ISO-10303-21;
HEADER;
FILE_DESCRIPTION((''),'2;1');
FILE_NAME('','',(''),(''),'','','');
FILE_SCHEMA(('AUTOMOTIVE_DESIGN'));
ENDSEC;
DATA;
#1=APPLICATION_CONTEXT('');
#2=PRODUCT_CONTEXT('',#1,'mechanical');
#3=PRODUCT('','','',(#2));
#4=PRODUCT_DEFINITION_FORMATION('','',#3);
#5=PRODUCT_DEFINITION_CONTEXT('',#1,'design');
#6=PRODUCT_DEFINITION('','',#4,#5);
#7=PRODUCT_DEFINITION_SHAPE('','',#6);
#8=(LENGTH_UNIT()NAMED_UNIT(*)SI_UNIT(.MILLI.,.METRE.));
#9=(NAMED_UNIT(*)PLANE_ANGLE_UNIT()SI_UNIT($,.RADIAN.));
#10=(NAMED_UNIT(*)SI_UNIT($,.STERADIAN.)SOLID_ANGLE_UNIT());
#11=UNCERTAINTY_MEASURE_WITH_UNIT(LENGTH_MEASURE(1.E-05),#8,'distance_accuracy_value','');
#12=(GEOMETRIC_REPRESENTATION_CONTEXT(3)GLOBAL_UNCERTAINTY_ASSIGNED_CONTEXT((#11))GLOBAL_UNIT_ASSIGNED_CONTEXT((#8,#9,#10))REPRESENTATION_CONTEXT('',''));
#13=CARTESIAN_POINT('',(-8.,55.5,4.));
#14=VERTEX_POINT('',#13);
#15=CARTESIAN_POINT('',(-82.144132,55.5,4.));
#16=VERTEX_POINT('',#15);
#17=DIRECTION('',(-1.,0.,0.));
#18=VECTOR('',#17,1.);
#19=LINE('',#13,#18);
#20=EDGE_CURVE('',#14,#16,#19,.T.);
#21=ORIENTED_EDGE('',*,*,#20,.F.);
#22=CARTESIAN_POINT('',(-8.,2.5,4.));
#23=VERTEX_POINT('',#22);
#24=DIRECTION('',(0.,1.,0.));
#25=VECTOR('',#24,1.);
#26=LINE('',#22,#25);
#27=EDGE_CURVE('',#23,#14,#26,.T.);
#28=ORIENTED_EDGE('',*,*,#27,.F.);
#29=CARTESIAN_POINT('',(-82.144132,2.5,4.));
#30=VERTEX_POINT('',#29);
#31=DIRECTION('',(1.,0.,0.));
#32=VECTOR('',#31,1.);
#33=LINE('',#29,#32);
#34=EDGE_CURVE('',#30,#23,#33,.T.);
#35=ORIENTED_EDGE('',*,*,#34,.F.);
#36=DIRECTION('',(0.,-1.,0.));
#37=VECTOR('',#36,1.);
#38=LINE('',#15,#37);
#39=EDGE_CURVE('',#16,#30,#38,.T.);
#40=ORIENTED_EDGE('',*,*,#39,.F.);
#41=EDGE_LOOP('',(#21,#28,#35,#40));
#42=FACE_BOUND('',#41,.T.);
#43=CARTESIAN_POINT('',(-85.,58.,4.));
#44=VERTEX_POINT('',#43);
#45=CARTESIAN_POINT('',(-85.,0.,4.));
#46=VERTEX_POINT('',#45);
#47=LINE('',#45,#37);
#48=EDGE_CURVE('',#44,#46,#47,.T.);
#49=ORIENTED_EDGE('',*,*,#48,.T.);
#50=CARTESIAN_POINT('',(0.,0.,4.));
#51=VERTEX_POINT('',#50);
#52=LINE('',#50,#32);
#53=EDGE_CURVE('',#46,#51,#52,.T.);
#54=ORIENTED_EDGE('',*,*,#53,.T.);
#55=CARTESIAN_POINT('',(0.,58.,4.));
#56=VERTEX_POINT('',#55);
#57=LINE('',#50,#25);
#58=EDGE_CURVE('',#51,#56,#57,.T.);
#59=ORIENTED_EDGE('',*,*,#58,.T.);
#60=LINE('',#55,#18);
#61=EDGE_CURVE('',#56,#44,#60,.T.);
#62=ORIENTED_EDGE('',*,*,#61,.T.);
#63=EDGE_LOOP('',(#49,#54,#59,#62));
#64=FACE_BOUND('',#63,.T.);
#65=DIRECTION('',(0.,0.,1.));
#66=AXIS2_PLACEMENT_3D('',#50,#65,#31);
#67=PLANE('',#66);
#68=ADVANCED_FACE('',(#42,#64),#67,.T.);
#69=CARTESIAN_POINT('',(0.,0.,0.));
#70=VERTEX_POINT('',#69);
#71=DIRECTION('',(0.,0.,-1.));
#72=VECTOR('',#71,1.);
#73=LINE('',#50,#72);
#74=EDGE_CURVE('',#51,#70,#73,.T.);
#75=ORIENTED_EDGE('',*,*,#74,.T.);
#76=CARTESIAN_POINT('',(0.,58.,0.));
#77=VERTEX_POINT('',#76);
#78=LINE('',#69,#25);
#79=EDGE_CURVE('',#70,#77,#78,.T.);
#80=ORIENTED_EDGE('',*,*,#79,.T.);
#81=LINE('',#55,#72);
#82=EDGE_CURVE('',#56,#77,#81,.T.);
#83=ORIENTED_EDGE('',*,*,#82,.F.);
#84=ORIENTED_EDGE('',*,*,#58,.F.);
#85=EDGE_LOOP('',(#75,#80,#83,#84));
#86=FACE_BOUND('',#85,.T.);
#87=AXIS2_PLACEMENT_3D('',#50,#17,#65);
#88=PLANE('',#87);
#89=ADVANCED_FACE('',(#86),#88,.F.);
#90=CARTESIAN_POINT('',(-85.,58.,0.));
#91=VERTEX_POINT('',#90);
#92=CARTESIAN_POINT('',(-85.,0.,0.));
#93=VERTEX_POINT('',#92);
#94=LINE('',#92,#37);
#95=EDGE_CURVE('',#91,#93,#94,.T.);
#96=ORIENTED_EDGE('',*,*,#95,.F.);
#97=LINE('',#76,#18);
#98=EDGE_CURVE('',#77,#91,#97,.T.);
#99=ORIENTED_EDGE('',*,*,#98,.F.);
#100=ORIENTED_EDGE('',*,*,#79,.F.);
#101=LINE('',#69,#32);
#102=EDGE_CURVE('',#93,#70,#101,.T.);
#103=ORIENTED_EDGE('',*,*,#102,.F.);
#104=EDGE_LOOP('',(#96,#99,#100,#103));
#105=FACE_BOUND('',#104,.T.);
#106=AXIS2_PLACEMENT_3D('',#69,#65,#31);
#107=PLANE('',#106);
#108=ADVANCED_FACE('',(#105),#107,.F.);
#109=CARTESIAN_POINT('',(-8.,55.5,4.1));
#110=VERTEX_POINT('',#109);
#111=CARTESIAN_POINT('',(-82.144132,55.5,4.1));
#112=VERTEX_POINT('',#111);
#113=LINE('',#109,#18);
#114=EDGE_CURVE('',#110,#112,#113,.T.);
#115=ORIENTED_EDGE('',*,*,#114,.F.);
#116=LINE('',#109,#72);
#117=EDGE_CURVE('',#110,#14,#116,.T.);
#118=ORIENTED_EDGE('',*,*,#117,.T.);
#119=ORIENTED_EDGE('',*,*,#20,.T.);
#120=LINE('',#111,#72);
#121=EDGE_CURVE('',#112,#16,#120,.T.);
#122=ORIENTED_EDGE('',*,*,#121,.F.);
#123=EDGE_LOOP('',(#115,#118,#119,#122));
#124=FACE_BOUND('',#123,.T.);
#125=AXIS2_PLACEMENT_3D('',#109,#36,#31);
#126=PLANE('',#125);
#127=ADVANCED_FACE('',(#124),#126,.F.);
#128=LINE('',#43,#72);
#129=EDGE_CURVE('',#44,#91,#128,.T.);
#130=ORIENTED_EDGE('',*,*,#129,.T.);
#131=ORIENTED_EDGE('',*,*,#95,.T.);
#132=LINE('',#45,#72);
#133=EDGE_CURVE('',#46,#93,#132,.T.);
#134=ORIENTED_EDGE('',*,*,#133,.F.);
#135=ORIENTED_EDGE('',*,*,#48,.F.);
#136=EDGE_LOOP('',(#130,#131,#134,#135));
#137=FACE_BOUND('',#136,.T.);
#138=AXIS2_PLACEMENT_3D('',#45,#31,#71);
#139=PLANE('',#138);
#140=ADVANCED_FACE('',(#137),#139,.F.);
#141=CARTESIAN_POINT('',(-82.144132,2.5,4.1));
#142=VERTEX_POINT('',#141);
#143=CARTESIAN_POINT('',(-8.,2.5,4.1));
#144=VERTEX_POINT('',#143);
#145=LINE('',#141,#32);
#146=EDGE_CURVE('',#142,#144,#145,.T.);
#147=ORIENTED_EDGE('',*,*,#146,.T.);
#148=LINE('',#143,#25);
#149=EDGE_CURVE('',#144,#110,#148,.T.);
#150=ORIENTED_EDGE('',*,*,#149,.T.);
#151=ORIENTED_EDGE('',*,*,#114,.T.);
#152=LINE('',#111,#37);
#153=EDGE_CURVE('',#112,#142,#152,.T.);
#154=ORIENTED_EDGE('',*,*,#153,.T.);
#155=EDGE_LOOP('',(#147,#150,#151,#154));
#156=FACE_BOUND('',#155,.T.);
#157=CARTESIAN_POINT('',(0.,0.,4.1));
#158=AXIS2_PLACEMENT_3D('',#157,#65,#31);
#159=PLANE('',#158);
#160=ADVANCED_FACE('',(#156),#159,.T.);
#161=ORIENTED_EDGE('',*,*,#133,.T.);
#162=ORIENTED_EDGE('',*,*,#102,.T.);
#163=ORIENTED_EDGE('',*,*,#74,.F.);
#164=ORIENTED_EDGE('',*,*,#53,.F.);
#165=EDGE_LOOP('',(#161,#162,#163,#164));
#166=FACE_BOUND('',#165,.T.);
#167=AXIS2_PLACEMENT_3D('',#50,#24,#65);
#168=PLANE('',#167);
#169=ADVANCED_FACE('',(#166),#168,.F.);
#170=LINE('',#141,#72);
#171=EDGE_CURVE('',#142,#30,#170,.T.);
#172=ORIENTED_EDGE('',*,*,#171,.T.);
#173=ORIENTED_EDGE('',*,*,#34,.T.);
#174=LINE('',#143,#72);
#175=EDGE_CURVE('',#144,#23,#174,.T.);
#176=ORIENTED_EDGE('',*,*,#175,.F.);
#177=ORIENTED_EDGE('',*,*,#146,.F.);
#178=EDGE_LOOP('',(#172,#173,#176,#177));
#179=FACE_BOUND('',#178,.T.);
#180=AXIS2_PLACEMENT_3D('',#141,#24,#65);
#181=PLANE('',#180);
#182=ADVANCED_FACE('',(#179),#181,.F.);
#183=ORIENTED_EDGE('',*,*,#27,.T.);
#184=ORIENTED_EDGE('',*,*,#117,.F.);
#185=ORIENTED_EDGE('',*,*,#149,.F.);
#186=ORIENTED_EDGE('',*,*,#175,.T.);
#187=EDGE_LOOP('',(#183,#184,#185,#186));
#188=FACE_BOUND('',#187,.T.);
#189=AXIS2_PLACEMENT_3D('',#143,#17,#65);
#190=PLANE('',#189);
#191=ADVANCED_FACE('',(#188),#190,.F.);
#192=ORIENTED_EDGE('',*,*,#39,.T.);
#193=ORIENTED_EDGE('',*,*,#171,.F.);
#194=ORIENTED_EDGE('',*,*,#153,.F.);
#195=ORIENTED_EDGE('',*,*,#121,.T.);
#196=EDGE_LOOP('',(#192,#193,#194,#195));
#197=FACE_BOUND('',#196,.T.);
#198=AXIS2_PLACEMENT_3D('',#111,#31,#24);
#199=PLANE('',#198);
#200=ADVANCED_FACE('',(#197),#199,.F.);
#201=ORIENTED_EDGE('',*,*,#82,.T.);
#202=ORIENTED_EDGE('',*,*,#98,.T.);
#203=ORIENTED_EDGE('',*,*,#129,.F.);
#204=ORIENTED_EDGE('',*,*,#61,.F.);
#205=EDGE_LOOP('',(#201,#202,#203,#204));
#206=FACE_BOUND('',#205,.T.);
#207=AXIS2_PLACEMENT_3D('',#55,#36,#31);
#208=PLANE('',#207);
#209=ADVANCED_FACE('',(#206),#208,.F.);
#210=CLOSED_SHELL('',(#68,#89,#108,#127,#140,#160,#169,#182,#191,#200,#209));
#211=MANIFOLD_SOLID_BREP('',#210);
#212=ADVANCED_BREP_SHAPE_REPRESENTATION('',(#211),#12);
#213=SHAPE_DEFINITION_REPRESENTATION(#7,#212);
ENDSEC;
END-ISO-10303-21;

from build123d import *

# Parameters (mm, degrees)
SKETCH1_W           = 85
SKETCH1_H           = 58
BOSS_EXTRUDE1_DEPTH = 4
SKETCH2_W           = 74.144131661
SKETCH2_H           = 53
BOSS_EXTRUDE2_DEPTH = 0.1


with BuildPart() as part:
    # Sketch1 → Boss-Extrude1 (new body)
    with BuildSketch(Plane.XY):
        with Locations((-42.5, 29)):
            Rectangle(SKETCH1_W, SKETCH1_H)
    extrude(amount=BOSS_EXTRUDE1_DEPTH)

    # Sketch2 → Boss-Extrude2 (add)
    with BuildSketch(Plane.XY.offset(4)):
        with Locations((-45.072065831, 29)):
            Rectangle(SKETCH2_W, SKETCH2_H)
    extrude(amount=BOSS_EXTRUDE2_DEPTH)


solid = part.part
